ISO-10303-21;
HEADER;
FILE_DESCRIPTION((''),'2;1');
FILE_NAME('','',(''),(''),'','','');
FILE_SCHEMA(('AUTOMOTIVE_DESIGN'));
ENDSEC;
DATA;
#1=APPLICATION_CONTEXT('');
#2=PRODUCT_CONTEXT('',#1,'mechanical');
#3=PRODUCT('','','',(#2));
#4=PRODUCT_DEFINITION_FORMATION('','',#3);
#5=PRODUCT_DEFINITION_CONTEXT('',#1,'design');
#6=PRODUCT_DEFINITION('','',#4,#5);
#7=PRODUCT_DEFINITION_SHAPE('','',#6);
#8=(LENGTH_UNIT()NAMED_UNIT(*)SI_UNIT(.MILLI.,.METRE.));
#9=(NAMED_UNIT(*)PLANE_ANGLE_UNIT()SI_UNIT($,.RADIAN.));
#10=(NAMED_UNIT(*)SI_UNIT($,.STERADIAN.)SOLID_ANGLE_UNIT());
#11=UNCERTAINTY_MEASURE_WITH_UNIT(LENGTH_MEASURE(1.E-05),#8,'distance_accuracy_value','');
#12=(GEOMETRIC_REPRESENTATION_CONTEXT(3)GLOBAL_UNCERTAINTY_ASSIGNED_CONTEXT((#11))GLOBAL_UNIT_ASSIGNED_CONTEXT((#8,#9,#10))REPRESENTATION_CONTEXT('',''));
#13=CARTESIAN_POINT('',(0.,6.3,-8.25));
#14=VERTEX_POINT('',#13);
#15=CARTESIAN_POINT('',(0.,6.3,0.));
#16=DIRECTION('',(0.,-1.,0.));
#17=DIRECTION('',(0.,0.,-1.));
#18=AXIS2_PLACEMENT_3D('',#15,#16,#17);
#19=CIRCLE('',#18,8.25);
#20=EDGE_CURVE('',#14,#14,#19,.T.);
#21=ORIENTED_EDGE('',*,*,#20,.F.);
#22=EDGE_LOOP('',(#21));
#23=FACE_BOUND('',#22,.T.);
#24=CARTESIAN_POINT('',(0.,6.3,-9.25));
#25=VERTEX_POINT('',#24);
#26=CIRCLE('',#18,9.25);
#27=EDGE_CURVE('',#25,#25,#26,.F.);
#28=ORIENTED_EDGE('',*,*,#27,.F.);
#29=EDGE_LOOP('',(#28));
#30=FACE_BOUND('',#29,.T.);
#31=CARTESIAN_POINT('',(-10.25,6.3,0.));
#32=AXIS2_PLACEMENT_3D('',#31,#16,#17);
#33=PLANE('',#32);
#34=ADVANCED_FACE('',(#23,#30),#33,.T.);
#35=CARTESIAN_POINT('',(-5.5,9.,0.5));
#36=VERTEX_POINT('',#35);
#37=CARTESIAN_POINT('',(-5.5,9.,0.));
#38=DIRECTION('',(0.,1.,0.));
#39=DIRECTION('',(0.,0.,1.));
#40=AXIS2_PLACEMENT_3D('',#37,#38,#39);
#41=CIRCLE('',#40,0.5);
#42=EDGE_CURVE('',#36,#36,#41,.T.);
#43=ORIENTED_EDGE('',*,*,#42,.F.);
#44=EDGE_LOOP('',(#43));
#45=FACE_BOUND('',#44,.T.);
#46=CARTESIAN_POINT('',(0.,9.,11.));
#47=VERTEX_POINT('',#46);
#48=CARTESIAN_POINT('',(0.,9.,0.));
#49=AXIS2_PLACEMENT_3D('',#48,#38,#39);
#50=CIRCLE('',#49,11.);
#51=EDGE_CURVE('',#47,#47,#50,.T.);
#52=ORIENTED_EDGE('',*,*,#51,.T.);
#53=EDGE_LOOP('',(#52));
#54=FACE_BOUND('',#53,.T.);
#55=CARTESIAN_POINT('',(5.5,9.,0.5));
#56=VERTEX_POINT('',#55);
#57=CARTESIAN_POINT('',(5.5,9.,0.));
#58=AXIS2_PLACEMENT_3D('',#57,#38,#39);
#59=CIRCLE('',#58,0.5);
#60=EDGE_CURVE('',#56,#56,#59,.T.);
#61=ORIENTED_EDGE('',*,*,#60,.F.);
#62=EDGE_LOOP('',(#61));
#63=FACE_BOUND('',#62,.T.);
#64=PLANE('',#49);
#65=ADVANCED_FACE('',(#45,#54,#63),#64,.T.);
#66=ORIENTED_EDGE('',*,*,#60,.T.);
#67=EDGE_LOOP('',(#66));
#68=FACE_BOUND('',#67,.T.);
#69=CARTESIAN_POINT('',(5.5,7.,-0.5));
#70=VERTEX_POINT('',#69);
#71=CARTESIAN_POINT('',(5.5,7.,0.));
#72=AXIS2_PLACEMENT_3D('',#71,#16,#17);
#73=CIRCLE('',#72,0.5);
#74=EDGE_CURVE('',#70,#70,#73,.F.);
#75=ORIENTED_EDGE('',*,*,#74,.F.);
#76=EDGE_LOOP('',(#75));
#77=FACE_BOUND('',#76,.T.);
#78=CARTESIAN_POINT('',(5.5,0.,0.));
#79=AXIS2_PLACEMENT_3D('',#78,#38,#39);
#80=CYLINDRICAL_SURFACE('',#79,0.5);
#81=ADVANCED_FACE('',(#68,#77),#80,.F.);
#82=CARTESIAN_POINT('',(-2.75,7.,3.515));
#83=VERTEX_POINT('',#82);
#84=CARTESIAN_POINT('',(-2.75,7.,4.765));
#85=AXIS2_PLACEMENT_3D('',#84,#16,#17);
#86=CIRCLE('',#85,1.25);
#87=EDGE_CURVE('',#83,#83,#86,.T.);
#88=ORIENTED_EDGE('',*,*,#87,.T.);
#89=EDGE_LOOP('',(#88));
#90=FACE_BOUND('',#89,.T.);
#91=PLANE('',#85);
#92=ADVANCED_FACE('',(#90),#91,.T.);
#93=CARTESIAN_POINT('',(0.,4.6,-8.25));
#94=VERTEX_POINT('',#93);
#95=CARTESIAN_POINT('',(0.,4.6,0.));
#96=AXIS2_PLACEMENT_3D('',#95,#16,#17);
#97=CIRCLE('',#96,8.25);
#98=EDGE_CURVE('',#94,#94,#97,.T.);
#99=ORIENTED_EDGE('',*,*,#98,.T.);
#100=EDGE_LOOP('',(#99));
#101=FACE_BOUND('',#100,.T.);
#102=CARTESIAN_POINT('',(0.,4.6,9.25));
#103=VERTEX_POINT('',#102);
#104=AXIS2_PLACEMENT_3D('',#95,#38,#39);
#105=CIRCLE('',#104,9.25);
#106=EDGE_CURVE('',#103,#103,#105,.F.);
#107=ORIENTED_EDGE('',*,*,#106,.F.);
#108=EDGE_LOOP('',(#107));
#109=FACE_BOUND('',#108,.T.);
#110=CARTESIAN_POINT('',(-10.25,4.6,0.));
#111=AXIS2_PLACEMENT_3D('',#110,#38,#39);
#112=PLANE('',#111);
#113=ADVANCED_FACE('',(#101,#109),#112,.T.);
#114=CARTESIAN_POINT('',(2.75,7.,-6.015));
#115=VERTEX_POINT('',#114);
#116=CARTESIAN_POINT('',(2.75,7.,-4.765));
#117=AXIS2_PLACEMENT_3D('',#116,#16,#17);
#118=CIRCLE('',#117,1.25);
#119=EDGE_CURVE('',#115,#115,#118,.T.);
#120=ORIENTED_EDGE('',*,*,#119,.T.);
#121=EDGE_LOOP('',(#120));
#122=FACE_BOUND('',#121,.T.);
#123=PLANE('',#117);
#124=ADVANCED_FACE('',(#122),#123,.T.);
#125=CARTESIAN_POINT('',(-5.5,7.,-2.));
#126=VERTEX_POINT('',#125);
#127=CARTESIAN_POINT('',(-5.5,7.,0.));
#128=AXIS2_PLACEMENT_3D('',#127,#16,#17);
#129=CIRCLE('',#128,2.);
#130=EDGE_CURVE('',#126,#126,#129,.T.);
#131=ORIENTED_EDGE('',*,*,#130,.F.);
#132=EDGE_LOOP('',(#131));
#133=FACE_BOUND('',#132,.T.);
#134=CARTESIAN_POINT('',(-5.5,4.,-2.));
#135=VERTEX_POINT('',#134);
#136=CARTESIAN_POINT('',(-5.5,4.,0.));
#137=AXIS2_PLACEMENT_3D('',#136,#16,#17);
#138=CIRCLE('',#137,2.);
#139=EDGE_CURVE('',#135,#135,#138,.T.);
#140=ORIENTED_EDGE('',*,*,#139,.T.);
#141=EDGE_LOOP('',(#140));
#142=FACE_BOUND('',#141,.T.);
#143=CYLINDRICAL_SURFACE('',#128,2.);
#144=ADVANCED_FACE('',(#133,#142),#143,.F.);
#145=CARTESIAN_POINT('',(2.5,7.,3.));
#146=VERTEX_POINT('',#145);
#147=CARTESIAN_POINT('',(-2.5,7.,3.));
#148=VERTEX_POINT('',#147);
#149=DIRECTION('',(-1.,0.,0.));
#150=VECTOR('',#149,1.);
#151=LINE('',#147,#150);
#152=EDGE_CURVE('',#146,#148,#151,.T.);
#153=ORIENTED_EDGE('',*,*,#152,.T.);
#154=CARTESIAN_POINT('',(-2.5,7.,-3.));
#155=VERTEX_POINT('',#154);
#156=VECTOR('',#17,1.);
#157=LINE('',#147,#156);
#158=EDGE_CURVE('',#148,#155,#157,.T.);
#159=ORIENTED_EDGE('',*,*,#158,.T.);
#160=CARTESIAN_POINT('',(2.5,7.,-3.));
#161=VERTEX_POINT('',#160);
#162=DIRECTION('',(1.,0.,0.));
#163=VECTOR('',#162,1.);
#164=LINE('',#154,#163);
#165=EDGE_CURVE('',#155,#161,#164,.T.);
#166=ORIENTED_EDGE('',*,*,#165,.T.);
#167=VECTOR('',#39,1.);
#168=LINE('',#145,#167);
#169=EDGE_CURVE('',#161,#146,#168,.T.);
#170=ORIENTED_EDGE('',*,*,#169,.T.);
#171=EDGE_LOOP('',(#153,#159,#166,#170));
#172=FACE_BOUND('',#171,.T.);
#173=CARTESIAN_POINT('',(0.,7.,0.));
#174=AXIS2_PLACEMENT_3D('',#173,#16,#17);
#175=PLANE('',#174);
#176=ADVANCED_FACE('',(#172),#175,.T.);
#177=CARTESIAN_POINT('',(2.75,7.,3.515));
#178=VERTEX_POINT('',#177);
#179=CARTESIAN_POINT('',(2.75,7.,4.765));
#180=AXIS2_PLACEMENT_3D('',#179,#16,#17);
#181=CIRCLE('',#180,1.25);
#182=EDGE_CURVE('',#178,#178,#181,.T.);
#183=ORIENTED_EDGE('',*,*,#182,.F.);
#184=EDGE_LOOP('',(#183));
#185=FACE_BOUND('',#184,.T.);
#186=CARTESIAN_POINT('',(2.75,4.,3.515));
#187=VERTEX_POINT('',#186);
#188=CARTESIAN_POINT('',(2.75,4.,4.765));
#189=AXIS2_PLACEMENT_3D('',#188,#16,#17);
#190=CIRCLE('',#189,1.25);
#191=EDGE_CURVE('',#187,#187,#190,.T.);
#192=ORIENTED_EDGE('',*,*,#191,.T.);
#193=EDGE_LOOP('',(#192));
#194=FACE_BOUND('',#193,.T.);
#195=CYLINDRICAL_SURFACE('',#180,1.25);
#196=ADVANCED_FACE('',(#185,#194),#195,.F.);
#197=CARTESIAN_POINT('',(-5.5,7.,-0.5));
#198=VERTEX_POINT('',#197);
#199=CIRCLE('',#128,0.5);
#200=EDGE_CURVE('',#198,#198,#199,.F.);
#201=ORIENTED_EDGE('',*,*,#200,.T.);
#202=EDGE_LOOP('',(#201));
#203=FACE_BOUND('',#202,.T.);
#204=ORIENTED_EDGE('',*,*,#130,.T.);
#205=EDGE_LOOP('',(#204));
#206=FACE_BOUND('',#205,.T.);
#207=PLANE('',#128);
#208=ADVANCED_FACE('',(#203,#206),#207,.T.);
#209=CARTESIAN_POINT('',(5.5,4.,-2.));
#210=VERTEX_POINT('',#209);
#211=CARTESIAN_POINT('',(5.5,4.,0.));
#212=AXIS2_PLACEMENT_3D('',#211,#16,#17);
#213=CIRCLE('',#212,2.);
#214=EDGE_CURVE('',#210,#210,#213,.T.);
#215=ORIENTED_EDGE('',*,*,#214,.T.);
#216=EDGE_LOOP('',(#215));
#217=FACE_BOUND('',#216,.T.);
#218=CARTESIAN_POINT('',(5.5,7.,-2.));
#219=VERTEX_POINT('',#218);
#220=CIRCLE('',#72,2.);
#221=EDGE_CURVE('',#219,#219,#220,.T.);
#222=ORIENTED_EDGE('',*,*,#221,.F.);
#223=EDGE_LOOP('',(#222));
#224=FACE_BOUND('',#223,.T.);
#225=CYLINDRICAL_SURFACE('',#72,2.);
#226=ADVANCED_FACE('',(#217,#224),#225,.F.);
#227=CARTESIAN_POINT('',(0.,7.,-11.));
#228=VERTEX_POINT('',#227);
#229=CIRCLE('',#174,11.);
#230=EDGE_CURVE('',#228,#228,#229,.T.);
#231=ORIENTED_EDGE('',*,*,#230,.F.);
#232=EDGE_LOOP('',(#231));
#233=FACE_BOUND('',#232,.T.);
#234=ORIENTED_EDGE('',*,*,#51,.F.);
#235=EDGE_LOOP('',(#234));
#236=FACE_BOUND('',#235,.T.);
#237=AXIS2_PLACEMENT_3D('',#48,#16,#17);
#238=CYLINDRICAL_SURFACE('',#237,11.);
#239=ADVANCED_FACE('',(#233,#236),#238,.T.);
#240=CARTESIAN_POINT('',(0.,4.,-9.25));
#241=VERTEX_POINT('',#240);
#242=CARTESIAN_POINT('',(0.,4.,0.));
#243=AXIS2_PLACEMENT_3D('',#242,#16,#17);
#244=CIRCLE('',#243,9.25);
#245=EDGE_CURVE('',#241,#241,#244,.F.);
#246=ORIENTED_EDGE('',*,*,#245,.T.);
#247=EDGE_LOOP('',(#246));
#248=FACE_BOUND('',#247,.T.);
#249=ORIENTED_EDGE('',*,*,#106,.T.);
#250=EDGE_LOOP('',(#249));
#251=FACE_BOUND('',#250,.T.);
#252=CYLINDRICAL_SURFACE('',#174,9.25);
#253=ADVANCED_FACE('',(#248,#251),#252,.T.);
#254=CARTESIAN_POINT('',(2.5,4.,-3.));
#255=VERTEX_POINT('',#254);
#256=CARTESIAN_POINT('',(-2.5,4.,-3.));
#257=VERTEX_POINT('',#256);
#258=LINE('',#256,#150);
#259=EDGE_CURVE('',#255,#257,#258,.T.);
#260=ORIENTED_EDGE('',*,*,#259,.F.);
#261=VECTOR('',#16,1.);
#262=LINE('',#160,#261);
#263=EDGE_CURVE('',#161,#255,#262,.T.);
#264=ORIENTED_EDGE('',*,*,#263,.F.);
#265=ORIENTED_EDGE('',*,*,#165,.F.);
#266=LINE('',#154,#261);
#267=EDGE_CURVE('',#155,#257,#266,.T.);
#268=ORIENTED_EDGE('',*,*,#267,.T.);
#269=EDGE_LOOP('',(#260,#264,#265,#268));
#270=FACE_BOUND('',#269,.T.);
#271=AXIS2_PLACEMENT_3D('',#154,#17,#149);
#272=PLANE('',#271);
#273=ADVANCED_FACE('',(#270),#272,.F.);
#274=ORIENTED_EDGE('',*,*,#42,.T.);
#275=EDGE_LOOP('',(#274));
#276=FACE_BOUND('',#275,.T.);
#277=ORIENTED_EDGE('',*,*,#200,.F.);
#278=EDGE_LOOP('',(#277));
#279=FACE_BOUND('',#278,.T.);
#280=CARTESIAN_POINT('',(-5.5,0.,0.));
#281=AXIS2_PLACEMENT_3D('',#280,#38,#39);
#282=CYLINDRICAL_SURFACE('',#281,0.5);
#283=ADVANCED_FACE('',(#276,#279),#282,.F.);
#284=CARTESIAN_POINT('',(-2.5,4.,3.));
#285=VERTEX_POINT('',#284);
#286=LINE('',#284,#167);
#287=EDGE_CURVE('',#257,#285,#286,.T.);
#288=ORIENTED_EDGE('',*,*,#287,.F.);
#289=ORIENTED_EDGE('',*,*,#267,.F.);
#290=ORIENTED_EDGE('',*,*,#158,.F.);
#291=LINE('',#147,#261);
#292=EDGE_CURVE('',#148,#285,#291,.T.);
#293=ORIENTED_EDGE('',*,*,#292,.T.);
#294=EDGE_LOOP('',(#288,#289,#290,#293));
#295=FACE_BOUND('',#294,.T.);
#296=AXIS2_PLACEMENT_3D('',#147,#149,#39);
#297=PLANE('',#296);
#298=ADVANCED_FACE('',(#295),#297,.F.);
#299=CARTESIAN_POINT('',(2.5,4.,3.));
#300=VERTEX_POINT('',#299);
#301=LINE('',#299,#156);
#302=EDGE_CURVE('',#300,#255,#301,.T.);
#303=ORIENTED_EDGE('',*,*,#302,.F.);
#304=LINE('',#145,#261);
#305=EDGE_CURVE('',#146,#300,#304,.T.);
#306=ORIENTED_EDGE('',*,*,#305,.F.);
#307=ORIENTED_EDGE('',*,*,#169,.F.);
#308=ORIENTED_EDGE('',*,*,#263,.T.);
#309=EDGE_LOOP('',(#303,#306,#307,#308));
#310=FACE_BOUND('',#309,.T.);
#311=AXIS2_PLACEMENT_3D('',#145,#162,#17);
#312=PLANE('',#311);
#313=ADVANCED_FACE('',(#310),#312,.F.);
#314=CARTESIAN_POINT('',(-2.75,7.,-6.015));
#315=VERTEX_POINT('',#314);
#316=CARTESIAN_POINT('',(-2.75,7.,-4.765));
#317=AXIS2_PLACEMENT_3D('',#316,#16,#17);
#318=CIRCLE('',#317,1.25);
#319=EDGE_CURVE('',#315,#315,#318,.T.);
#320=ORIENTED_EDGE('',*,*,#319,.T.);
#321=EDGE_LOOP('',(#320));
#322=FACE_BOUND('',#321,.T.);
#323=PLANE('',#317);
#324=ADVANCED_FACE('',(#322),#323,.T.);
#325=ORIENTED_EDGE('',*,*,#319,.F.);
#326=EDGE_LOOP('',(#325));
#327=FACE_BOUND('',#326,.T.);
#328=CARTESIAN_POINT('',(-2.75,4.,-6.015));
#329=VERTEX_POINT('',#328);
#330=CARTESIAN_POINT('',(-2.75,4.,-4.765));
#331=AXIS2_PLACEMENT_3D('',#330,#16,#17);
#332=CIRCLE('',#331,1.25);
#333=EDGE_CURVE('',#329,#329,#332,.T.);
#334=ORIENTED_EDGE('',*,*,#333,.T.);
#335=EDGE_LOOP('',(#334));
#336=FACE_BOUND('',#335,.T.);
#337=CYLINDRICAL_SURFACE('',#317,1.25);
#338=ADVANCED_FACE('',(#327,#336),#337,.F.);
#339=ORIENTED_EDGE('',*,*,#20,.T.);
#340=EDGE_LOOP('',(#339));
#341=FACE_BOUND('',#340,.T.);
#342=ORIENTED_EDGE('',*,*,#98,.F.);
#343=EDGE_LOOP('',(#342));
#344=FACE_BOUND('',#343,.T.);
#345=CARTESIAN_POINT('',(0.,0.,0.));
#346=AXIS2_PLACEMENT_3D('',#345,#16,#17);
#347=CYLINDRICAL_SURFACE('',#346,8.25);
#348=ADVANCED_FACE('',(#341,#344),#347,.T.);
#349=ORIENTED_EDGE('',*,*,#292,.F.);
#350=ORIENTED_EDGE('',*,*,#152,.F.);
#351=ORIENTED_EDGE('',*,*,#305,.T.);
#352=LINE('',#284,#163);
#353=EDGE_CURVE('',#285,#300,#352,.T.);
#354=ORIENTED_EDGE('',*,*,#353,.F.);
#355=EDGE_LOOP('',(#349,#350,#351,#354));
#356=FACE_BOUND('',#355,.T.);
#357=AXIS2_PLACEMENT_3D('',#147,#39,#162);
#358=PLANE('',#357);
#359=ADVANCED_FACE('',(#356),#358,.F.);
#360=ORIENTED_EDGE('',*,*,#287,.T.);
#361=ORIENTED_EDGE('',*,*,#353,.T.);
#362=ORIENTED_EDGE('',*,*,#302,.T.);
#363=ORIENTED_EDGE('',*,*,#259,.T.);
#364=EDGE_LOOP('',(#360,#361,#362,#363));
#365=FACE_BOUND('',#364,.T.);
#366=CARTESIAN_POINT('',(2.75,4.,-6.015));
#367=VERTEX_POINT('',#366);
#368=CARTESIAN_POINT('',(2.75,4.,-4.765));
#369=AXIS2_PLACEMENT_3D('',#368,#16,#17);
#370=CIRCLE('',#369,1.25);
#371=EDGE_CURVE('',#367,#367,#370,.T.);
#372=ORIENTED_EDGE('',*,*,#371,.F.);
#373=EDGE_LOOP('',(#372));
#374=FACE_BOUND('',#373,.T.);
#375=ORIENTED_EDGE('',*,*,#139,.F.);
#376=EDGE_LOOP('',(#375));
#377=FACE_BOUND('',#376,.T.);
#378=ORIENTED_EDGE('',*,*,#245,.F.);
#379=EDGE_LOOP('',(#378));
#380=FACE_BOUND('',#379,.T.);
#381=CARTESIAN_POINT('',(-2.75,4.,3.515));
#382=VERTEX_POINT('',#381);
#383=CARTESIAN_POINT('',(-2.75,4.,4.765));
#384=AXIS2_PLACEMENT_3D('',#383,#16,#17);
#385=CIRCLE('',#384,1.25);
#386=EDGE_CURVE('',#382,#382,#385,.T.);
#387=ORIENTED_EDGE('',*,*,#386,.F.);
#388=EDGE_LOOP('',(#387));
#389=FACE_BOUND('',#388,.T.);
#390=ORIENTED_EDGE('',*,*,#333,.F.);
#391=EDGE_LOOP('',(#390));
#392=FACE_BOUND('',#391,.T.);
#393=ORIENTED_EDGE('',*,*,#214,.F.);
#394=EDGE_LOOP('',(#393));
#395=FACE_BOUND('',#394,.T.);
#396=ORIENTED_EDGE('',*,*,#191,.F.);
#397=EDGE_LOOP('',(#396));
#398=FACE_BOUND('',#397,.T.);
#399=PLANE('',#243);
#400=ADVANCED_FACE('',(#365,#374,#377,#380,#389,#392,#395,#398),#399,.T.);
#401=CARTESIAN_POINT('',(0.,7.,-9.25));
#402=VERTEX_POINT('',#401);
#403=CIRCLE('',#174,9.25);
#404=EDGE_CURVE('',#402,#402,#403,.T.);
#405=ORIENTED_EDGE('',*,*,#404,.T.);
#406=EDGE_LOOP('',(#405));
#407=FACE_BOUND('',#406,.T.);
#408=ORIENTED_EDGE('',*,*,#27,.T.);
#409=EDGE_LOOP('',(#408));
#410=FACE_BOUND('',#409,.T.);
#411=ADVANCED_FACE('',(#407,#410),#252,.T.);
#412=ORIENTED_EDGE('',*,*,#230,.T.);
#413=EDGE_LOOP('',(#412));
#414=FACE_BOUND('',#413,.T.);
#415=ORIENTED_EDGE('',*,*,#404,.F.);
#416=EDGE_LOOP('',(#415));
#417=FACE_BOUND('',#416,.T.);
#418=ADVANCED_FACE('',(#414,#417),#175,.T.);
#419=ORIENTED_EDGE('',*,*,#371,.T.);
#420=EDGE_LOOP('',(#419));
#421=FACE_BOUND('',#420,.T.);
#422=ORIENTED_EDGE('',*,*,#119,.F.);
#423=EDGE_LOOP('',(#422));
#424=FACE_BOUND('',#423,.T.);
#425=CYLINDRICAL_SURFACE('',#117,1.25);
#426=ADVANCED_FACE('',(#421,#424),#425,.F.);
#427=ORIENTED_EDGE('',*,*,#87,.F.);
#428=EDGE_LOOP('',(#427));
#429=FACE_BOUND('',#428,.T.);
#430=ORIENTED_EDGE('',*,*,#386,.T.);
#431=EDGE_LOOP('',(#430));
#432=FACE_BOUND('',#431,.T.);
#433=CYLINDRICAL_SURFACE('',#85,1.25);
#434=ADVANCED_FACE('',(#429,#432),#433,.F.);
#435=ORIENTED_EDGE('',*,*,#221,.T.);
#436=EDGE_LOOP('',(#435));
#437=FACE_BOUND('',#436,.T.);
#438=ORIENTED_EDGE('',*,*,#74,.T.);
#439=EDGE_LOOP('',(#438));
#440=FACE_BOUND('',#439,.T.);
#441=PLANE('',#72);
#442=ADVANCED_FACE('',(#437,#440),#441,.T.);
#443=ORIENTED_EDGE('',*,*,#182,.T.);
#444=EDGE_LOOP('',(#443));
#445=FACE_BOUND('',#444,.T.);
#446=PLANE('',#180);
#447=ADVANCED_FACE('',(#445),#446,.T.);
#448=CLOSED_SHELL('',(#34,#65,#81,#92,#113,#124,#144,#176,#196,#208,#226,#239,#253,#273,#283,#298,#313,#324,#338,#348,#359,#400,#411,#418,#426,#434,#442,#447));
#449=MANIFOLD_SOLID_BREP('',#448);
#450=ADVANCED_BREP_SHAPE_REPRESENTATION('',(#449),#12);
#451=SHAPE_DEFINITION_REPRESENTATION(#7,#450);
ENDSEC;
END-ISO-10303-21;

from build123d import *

# Parameters (mm, degrees)
SKETCH_1_R           = 11
EXTRUDE_1_DEPTH      = 9
SKETCH_2_R           = 0.5
CUT_EXTRUDE_1_DEPTH  = 18.972200756
SKETCH_3_R           = 16.549134696
SKETCH_3_R_2         = 9.25
CUT_EXTRUDE_2_DEPTH  = 7
SKETCH_4_W           = 2
SKETCH_4_H           = 1.7
SKETCH_5_W           = 5
SKETCH_5_H           = 6
CUT_EXTRUDE_3_DEPTH  = 7
SKETCH_8_R           = 1.25
CUT_EXTRUDE_6_DEPTH  = 1.5
SKETCH_9_W           = 7
SKETCH_9_H           = 8
SKETCH_9_W_2         = 5
SKETCH_9_H_2         = 6
CUT_EXTRUDE_7_DEPTH  = 2
CHAMFER_1_SIZE       = 0.5
SKETCH_10_R          = 16.70563627
CUT_EXTRUDE_8_DEPTH  = 4
SKETCH_11_R          = 2
CUT_EXTRUDE_9_DEPTH  = 3
SKETCH_12_R          = 1.25
CUT_EXTRUDE_10_DEPTH = 3


with BuildPart() as part:
    # 草图1 → 凸台-拉伸1 (new body)
    with BuildSketch(Plane(origin=(0, 0, 0), x_dir=(1, 0, 0), z_dir=(0, 1, 0))):
        with Locations(Location((0, 0, 0), (0, 0, 270))):
            Circle(SKETCH_1_R)
    extrude(amount=EXTRUDE_1_DEPTH)

    # 草图2 → 切除-拉伸1 (cut, through all)
    with BuildSketch(Plane(origin=(0, 9, 0), x_dir=(1, 0, 0), z_dir=(0, 1, 0))):
        with Locations(Location((-5.5, 0, 0), (0, 0, 270))):
            Circle(SKETCH_2_R)
        with Locations(Location((5.5, 0, 0), (0, 0, 270))):
            Circle(SKETCH_2_R)
    extrude(amount=-CUT_EXTRUDE_1_DEPTH, mode=Mode.SUBTRACT)

    # 草图3 → 切除-拉伸2 (cut)
    with BuildSketch(Plane.XZ):
        Circle(SKETCH_3_R)
        with Locations(Location((0, 0, 0), (0, 0, 270))):
            Circle(SKETCH_3_R_2, mode=Mode.SUBTRACT)
    extrude(amount=-CUT_EXTRUDE_2_DEPTH, mode=Mode.SUBTRACT)

    # 草图4 → 切除-旋转1 (revolve, cut)
    with BuildSketch(Plane.XY, mode=Mode.PRIVATE) as cut_revolve_1_sk:
        with Locations((-9.25, 5.45)):
            Rectangle(SKETCH_4_W, SKETCH_4_H)
        with Locations((-9.25, 2.35)):
            Rectangle(SKETCH_4_W, SKETCH_4_H)
    revolve(cut_revolve_1_sk.sketch.rotate(Axis((0, 0, 0), (0, 1, 0)), 270), axis=Axis((0, 0, 0), (0, 1, 0)), mode=Mode.SUBTRACT)

    # 草图5 → 切除-拉伸3 (cut)
    with BuildSketch(Plane.XZ):
        Rectangle(SKETCH_5_W, SKETCH_5_H)
    extrude(amount=-CUT_EXTRUDE_3_DEPTH, mode=Mode.SUBTRACT)

    # 草图8 → 切除-拉伸6 (cut)
    with BuildSketch(Plane.XZ):
        with Locations(Location((-5.5, 0, 0), (0, 0, 270))):
            Circle(SKETCH_8_R)
        with Locations(Location((5.5, 0, 0), (0, 0, 270))):
            Circle(SKETCH_8_R)
    extrude(amount=-CUT_EXTRUDE_6_DEPTH, mode=Mode.SUBTRACT)

    # 草图9 → 切除-拉伸7 (cut)
    with BuildSketch(Plane.XZ):
        Rectangle(SKETCH_9_W, SKETCH_9_H)
        Rectangle(SKETCH_9_W_2, SKETCH_9_H_2, mode=Mode.SUBTRACT)
    extrude(amount=-CUT_EXTRUDE_7_DEPTH, mode=Mode.SUBTRACT)

    # 倒角1
    chamfer_1_edges = [part.edges().sort_by_distance(p)[0] for p in [
        (0, 0, 9.25),
    ]]
    chamfer(chamfer_1_edges, length=CHAMFER_1_SIZE)

    # 草图10 → 切除-拉伸8 (cut)
    with BuildSketch(Plane(origin=(0, 0, 0), x_dir=(-1, 0, 0), z_dir=(0, -1, 0))):
        Circle(SKETCH_10_R)
    extrude(amount=-CUT_EXTRUDE_8_DEPTH, mode=Mode.SUBTRACT)

    # 草图11 → 切除-拉伸9 (cut)
    with BuildSketch(Plane.XZ.offset(-4)):
        with Locations(Location((-5.5, 0, 0), (0, 0, 270))):
            Circle(SKETCH_11_R)
        with Locations(Location((5.5, 0, 0), (0, 0, 270))):
            Circle(SKETCH_11_R)
    extrude(amount=-CUT_EXTRUDE_9_DEPTH, mode=Mode.SUBTRACT)

    # 草图12 → 切除-拉伸10 (cut)
    with BuildSketch(Plane.XZ.offset(-4)):
        with Locations(Location((-2.75, 4.765, 0), (0, 0, 270))):
            Circle(SKETCH_12_R)
        with Locations(Location((2.75, 4.765, 0), (0, 0, 270))):
            Circle(SKETCH_12_R)
        with Locations(Location((2.75, -4.765, 0), (0, 0, 270))):
            Circle(SKETCH_12_R)
        with Locations(Location((-2.75, -4.765, 0), (0, 0, 270))):
            Circle(SKETCH_12_R)
    extrude(amount=-CUT_EXTRUDE_10_DEPTH, mode=Mode.SUBTRACT)


solid = part.part
